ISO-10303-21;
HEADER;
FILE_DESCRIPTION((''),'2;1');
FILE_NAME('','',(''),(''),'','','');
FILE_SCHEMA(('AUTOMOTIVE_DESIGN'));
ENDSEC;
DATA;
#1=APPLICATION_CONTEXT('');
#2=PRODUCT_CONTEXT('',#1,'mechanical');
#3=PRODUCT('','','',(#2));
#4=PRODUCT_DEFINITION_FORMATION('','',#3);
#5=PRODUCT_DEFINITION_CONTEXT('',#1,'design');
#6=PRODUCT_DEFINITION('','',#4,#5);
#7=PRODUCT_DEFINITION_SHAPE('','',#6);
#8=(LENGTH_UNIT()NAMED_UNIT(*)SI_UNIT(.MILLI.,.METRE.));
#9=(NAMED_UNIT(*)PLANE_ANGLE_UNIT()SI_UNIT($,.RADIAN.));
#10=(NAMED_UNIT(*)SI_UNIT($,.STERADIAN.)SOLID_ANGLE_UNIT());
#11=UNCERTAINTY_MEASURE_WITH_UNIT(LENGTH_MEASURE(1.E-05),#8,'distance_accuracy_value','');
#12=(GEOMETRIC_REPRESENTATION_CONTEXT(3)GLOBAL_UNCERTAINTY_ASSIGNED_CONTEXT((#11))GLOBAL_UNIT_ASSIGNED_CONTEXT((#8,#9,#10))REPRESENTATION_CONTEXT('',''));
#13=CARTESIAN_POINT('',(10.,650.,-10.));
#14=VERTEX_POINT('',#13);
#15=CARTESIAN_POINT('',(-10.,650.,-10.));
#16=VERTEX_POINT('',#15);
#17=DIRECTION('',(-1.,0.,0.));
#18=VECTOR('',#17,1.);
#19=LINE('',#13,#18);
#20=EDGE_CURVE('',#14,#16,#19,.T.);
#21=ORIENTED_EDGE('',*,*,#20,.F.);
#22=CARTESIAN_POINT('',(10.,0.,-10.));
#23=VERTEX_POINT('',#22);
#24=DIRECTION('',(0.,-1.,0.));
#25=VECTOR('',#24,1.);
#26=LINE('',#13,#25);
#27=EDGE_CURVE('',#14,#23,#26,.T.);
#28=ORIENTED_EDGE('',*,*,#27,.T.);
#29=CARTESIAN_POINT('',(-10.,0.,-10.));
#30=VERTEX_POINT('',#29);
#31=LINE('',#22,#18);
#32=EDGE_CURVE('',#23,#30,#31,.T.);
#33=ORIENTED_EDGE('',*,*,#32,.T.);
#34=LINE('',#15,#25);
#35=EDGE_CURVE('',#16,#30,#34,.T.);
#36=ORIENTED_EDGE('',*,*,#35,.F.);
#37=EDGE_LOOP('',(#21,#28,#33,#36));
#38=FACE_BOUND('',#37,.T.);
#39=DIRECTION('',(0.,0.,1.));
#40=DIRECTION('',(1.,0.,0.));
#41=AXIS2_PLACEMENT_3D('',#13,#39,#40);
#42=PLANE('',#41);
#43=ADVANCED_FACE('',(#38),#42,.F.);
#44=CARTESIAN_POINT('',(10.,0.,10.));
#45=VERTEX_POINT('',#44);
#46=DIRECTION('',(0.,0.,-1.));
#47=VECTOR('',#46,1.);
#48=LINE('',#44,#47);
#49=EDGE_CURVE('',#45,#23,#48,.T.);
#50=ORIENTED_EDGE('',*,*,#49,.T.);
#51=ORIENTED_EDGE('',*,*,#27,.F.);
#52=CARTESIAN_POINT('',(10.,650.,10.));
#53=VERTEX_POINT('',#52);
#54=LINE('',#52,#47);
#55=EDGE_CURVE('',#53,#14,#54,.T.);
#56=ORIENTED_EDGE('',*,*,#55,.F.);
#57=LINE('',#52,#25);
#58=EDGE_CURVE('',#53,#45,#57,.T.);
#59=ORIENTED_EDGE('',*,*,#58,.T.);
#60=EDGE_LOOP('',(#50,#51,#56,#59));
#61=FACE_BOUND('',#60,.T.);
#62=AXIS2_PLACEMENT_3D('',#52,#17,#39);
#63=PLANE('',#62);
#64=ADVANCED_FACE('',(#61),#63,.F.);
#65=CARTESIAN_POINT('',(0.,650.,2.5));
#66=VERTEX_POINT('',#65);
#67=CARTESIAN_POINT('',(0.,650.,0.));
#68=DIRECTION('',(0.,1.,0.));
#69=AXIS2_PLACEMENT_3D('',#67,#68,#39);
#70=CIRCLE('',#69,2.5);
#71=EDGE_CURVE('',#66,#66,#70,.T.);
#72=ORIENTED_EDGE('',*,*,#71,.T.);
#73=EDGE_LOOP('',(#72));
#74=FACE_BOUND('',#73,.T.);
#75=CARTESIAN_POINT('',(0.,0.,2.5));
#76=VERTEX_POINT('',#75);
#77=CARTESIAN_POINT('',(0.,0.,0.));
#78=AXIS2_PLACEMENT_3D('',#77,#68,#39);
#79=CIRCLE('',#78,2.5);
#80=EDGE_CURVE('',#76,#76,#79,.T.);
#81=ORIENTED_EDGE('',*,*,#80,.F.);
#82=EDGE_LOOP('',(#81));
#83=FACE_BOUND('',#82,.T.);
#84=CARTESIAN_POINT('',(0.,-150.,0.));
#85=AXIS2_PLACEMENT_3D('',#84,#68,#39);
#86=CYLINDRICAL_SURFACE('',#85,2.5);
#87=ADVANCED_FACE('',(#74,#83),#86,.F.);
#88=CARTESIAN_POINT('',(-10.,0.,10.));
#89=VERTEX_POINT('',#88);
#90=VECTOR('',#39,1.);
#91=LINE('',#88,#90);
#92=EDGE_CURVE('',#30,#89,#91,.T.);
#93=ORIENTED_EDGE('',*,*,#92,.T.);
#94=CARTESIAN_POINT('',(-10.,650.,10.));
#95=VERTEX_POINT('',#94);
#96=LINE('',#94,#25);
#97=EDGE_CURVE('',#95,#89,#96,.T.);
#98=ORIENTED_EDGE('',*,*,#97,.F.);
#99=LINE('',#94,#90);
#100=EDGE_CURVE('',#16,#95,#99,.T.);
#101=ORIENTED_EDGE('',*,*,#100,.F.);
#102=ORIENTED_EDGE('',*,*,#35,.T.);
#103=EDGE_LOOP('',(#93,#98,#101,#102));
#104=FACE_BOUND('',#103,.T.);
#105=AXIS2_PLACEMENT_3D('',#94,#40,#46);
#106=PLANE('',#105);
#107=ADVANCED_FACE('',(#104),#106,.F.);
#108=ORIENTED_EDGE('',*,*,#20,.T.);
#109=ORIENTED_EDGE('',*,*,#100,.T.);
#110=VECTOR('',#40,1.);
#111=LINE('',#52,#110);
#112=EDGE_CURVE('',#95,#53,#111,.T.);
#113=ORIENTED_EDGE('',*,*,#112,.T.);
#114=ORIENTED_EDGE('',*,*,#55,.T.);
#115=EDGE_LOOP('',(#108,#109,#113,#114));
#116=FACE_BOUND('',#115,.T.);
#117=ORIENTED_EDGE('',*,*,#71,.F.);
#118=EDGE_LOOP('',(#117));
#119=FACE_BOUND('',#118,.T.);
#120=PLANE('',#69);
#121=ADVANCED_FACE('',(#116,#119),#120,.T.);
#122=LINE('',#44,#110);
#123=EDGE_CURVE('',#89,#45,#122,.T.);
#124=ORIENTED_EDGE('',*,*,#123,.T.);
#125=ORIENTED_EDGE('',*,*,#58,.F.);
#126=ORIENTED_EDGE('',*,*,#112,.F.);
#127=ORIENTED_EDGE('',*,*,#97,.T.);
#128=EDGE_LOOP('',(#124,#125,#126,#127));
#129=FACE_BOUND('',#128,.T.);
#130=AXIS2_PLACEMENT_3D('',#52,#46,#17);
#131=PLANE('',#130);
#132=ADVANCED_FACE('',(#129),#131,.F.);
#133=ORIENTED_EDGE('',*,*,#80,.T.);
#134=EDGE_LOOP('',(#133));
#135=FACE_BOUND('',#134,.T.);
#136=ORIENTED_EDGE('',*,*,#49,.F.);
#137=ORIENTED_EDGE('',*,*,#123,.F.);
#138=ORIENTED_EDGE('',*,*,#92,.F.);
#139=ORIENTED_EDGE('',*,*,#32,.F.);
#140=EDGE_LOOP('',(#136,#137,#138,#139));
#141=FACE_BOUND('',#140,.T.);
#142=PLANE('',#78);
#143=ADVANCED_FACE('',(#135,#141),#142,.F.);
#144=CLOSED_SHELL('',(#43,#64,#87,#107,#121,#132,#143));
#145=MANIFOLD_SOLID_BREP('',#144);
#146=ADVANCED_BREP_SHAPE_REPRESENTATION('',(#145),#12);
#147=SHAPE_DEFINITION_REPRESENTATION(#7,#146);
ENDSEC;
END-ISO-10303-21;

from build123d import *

# Parameters (mm, degrees)
SKETCH1_W           = 20
SKETCH1_H           = 20
BOSS_EXTRUDE1_DEPTH = 650
SKETCH2_R           = 2.5
CUT_EXTRUDE1_DEPTH  = 800


with BuildPart() as part:
    # Sketch1 → Boss-Extrude1 (new body)
    with BuildSketch(Plane(origin=(0, 0, 0), x_dir=(1, 0, 0), z_dir=(0, 1, 0))):
        Rectangle(SKETCH1_W, SKETCH1_H)
    extrude(amount=BOSS_EXTRUDE1_DEPTH)

    # Sketch2 → Cut-Extrude1 (cut)
    with BuildSketch(Plane(origin=(0, 650, 0), x_dir=(1, 0, 0), z_dir=(0, 1, 0))):
        with Locations(Location((0, 0, 0), (0, 0, 270))):
            Circle(SKETCH2_R)
    extrude(amount=-CUT_EXTRUDE1_DEPTH, mode=Mode.SUBTRACT)


solid = part.part
